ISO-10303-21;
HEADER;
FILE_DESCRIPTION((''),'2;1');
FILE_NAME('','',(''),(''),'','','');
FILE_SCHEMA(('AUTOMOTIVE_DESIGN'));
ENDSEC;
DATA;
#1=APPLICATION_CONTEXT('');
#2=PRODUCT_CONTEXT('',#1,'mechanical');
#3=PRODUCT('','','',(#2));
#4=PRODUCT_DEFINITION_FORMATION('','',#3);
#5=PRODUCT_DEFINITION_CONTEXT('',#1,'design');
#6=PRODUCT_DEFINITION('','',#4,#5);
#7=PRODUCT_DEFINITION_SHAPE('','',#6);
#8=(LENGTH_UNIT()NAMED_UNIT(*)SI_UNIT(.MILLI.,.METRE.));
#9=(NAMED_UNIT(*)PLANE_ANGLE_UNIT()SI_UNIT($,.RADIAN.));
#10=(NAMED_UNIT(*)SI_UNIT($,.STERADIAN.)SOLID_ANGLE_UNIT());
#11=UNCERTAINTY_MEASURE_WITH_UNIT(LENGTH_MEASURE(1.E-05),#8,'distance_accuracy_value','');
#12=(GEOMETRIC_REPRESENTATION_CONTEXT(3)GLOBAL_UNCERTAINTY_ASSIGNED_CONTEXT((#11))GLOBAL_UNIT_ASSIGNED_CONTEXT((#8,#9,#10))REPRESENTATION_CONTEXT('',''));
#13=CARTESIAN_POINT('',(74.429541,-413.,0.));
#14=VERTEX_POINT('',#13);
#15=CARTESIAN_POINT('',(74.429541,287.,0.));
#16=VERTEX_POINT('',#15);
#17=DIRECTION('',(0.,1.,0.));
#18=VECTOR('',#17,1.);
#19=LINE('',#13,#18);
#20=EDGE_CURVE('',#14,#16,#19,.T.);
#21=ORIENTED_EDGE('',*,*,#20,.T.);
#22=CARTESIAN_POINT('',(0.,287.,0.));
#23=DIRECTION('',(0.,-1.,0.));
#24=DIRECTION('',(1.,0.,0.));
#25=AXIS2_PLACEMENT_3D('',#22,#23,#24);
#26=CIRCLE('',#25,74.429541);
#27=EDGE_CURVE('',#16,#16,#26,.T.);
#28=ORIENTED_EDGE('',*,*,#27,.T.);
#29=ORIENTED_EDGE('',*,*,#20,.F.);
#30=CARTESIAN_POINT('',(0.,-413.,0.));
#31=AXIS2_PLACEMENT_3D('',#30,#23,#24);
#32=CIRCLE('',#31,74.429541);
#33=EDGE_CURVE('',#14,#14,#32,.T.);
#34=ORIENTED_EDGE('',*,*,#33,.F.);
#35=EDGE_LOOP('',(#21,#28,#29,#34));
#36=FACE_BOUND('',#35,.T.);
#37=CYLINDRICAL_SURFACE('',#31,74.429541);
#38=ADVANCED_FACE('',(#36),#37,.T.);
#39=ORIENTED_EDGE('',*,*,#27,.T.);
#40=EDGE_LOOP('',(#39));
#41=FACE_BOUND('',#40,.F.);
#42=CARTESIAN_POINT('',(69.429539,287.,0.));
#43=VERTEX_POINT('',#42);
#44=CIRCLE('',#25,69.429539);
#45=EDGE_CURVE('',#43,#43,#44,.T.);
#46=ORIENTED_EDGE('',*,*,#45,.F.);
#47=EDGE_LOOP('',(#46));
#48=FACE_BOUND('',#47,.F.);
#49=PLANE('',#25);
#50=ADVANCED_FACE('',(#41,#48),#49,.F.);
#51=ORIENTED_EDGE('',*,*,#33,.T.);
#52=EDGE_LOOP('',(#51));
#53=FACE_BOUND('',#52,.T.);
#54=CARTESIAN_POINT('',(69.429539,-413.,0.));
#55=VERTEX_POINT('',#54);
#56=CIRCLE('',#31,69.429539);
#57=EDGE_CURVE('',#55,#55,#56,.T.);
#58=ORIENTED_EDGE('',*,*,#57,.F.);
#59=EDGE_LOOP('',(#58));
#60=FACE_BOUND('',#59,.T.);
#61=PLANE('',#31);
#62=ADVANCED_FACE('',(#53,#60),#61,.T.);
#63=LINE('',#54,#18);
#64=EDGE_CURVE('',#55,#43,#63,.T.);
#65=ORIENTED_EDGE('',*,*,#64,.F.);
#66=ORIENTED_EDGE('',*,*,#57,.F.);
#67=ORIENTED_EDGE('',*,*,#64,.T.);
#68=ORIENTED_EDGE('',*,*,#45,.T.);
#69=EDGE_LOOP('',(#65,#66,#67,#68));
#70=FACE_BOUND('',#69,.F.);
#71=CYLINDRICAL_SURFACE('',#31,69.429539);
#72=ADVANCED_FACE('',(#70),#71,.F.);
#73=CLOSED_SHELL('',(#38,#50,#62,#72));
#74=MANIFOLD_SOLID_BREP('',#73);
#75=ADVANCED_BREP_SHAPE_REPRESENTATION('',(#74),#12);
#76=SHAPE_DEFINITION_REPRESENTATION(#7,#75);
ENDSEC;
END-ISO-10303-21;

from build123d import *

# Parameters (mm, degrees)
F0_R     = 74.429541
F0_R_2   = 69.429539
F1_DEPTH = 700


with BuildPart() as f1:
    # F0 (on Front) → F1 (new body)
    with BuildSketch(Plane.XZ):
        Circle(F0_R)
        Circle(F0_R_2, mode=Mode.SUBTRACT)
    extrude(amount=-F1_DEPTH)


with BuildPart() as f1_1:
    # F2: moved
    add(f1.part.moved(Location((0, -413, 0))))


solid = f1_1.part
